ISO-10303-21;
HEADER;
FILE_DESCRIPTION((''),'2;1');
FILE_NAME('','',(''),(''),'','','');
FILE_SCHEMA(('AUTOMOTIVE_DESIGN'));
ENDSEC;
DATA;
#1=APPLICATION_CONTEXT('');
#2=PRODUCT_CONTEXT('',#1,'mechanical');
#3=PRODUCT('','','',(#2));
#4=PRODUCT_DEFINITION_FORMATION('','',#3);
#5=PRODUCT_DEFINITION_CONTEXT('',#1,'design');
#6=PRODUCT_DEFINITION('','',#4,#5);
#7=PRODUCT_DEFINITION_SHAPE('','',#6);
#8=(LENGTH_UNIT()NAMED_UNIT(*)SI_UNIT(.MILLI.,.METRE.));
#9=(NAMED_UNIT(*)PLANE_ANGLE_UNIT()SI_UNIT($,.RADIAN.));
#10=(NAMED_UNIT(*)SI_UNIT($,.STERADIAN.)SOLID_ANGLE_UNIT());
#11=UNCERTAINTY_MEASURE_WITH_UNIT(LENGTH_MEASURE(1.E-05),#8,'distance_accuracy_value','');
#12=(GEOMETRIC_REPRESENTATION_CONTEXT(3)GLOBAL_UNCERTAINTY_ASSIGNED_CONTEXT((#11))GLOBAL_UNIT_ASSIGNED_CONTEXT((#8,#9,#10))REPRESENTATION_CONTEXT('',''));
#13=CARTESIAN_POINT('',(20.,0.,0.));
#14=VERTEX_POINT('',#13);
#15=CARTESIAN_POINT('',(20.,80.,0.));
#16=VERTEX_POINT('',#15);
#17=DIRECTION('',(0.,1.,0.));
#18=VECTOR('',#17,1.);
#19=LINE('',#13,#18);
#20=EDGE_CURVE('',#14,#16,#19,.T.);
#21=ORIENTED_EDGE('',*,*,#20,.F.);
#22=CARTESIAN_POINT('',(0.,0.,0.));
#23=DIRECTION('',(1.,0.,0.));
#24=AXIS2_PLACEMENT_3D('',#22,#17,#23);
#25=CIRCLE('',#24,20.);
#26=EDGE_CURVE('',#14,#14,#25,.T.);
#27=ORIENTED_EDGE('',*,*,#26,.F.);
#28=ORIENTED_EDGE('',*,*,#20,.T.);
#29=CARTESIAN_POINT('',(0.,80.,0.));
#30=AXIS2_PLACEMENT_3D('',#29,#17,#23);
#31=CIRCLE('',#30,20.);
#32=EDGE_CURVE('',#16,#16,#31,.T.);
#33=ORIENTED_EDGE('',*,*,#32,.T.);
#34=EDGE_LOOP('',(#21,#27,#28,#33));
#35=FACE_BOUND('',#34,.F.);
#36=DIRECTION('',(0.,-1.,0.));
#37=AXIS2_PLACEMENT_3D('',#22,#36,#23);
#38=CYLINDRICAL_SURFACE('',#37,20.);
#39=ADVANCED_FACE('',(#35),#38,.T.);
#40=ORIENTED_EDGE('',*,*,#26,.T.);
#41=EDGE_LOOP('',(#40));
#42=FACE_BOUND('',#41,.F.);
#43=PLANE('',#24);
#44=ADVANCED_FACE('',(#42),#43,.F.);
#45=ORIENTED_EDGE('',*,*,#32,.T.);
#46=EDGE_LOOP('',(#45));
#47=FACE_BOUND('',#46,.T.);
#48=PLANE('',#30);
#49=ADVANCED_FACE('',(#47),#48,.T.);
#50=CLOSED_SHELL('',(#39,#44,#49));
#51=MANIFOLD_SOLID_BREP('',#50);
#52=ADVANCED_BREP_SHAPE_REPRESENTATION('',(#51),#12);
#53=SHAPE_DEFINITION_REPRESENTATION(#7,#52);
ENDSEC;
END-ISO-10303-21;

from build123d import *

# Parameters (mm, degrees)
SKETCH2_R           = 20
BOSS_EXTRUDE1_DEPTH = 80


with BuildPart() as part:
    # Sketch2 → Boss-Extrude1 (new body)
    with BuildSketch(Plane(origin=(0, 0, 0), x_dir=(1, 0, 0), z_dir=(0, 1, 0))):
        Circle(SKETCH2_R)
    extrude(amount=BOSS_EXTRUDE1_DEPTH)


solid = part.part
